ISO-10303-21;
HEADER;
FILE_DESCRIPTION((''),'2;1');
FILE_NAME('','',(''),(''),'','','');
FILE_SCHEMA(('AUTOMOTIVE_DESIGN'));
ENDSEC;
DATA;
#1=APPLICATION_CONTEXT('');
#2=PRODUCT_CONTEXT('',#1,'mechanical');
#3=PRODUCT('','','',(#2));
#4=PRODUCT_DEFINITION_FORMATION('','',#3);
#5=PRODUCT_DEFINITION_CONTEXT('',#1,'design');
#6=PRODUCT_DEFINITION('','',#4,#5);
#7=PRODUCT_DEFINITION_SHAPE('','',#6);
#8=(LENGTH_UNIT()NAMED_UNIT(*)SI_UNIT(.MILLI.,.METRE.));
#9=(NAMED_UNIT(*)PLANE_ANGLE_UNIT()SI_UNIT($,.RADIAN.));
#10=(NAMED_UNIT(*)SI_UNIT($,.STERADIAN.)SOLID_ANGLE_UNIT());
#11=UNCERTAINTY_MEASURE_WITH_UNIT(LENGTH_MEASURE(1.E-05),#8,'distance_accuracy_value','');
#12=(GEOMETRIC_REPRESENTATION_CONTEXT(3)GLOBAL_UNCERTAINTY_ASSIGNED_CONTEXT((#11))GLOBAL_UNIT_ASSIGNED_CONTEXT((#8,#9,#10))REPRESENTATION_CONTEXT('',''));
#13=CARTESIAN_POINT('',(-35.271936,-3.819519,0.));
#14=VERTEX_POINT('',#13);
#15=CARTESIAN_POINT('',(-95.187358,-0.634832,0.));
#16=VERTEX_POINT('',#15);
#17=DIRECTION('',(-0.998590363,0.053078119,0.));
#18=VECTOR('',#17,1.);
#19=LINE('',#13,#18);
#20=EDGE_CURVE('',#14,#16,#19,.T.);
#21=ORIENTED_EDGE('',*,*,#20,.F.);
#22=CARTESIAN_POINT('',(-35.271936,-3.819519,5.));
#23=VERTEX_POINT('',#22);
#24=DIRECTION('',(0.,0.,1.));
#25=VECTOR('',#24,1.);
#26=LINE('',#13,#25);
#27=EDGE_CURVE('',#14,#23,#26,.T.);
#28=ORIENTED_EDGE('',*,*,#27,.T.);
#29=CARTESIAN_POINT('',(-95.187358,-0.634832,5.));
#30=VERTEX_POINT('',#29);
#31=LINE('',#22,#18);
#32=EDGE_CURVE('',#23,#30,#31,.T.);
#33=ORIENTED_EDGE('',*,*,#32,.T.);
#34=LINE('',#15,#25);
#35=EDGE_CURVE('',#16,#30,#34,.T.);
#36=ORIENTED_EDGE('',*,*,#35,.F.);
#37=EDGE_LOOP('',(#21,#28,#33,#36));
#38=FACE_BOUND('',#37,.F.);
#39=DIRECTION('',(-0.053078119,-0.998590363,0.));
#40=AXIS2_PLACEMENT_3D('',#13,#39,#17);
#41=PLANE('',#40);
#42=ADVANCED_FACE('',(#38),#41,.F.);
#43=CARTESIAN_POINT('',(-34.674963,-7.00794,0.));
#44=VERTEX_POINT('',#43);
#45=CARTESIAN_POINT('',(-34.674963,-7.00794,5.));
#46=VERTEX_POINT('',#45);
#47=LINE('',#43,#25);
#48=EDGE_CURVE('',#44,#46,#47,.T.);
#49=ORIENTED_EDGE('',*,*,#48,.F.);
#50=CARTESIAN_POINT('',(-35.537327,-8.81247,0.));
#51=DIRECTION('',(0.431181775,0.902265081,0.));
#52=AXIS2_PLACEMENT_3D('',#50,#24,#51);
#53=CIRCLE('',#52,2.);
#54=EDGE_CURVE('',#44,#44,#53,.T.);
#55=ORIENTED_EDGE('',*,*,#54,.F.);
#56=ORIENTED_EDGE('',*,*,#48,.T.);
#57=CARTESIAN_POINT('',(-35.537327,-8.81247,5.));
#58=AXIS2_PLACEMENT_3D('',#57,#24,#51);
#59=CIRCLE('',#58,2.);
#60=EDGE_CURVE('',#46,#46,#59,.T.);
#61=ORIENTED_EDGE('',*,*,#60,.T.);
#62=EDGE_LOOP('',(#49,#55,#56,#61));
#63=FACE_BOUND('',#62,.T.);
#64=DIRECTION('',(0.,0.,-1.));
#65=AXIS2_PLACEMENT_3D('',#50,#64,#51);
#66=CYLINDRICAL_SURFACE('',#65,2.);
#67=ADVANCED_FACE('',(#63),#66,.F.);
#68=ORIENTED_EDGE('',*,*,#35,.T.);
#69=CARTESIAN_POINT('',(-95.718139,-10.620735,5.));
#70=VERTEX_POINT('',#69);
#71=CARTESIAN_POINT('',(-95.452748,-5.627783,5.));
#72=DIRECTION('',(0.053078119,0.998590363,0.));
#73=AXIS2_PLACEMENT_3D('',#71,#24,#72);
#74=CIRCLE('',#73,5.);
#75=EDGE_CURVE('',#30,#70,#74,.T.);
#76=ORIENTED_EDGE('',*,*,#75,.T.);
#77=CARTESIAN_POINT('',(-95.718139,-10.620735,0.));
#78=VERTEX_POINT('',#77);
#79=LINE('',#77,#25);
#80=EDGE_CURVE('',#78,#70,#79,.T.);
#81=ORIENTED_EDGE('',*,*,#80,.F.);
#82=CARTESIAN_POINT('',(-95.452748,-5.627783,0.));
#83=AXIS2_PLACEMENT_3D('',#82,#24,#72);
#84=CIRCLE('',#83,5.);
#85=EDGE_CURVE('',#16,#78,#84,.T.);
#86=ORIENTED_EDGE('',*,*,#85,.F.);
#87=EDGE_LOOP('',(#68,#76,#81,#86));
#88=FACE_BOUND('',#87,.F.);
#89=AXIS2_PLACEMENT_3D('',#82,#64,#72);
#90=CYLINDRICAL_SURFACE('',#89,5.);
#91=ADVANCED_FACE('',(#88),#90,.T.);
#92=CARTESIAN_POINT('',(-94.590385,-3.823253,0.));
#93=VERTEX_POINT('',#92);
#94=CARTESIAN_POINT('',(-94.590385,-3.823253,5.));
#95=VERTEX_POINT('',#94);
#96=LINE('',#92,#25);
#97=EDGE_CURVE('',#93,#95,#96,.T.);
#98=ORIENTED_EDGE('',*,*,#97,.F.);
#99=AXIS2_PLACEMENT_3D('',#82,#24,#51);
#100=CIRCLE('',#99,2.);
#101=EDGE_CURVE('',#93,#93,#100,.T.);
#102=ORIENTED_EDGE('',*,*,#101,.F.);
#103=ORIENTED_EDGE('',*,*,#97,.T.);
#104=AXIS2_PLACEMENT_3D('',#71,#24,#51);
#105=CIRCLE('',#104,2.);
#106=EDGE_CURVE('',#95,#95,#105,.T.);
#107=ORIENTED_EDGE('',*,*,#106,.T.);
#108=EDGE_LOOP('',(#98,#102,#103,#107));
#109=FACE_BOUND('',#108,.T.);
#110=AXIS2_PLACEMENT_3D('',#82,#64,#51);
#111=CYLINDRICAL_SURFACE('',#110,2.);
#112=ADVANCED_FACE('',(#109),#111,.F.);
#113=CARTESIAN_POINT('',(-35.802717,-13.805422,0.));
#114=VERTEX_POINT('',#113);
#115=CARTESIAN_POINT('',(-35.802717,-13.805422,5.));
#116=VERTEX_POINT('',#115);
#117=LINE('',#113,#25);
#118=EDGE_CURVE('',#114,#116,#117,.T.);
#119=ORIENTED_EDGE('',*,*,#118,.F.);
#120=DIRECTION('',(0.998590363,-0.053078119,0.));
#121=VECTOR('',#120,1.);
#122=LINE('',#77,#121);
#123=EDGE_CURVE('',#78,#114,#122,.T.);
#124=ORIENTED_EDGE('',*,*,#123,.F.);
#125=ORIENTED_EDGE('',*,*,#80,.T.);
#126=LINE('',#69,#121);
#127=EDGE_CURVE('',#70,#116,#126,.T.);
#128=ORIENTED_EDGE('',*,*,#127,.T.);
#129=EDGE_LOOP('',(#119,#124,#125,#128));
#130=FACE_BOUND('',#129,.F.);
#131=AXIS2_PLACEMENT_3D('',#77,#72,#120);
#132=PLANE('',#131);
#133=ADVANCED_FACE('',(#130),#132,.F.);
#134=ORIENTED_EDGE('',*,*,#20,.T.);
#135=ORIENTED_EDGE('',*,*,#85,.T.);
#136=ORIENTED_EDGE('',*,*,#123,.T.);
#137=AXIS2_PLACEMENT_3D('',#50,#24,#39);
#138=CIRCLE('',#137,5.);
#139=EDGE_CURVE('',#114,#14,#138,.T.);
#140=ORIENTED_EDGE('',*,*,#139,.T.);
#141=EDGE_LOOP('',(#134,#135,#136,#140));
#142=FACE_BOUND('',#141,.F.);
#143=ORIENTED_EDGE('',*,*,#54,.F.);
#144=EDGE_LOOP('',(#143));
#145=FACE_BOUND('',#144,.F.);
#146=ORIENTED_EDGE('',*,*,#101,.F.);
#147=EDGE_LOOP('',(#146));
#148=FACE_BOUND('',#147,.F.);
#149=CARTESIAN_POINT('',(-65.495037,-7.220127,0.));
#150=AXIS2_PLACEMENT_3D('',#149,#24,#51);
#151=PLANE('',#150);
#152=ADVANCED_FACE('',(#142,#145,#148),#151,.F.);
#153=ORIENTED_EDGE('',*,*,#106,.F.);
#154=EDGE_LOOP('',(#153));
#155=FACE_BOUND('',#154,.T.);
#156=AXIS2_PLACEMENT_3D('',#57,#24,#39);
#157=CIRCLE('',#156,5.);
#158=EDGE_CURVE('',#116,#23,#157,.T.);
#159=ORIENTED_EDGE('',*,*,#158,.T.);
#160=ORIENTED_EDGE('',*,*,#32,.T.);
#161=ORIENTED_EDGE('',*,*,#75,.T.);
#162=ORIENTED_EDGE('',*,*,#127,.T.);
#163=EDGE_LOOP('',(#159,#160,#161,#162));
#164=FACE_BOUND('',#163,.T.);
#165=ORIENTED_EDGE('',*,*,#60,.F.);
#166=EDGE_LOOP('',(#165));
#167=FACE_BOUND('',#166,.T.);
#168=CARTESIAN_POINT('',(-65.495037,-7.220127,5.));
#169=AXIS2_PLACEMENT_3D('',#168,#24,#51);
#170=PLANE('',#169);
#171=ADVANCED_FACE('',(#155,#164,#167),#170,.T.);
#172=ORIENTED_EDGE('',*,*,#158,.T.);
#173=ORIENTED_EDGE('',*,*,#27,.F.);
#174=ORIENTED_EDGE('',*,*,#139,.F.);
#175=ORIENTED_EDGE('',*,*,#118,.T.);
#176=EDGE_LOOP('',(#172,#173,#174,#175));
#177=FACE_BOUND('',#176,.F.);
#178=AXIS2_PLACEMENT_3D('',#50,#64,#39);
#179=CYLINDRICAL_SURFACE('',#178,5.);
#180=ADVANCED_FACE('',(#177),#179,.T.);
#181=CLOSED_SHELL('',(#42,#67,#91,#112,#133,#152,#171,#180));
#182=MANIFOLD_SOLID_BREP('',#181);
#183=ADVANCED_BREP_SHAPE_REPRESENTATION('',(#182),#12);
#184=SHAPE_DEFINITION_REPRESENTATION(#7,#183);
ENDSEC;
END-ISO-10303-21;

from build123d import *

# Parameters (mm, degrees)
SKETCH1_R           = 2
BOSS_EXTRUDE1_DEPTH = 5


with BuildPart() as part:
    # Sketch1 → Boss-Extrude1 (new body)
    with BuildSketch(Plane(origin=(0, 0, 0), x_dir=(0.431181775, 0.902265081, 0), z_dir=(0, 0, 1))):
        with BuildLine():
            Line((-18.654834307, 30.177729369), (-41.615840249, 85.610501319))
            ThreePointArc((-41.615840249, 85.610501319), (-48.148655073, 88.31648182), (-50.854635574, 81.783666996))
            Line((-50.854635574, 81.783666996), (-27.893629632, 26.350895045))
            ThreePointArc((-27.893629632, 26.350895045), (-21.360814808, 23.644914544), (-18.654834307, 30.177729369))
        make_face()
        with Locations((-23.27423197, 28.264312207)):
            Circle(SKETCH1_R, mode=Mode.SUBTRACT)
        with Locations((-46.235237911, 83.697084158)):
            Circle(SKETCH1_R, mode=Mode.SUBTRACT)
    extrude(amount=BOSS_EXTRUDE1_DEPTH)


solid = part.part
